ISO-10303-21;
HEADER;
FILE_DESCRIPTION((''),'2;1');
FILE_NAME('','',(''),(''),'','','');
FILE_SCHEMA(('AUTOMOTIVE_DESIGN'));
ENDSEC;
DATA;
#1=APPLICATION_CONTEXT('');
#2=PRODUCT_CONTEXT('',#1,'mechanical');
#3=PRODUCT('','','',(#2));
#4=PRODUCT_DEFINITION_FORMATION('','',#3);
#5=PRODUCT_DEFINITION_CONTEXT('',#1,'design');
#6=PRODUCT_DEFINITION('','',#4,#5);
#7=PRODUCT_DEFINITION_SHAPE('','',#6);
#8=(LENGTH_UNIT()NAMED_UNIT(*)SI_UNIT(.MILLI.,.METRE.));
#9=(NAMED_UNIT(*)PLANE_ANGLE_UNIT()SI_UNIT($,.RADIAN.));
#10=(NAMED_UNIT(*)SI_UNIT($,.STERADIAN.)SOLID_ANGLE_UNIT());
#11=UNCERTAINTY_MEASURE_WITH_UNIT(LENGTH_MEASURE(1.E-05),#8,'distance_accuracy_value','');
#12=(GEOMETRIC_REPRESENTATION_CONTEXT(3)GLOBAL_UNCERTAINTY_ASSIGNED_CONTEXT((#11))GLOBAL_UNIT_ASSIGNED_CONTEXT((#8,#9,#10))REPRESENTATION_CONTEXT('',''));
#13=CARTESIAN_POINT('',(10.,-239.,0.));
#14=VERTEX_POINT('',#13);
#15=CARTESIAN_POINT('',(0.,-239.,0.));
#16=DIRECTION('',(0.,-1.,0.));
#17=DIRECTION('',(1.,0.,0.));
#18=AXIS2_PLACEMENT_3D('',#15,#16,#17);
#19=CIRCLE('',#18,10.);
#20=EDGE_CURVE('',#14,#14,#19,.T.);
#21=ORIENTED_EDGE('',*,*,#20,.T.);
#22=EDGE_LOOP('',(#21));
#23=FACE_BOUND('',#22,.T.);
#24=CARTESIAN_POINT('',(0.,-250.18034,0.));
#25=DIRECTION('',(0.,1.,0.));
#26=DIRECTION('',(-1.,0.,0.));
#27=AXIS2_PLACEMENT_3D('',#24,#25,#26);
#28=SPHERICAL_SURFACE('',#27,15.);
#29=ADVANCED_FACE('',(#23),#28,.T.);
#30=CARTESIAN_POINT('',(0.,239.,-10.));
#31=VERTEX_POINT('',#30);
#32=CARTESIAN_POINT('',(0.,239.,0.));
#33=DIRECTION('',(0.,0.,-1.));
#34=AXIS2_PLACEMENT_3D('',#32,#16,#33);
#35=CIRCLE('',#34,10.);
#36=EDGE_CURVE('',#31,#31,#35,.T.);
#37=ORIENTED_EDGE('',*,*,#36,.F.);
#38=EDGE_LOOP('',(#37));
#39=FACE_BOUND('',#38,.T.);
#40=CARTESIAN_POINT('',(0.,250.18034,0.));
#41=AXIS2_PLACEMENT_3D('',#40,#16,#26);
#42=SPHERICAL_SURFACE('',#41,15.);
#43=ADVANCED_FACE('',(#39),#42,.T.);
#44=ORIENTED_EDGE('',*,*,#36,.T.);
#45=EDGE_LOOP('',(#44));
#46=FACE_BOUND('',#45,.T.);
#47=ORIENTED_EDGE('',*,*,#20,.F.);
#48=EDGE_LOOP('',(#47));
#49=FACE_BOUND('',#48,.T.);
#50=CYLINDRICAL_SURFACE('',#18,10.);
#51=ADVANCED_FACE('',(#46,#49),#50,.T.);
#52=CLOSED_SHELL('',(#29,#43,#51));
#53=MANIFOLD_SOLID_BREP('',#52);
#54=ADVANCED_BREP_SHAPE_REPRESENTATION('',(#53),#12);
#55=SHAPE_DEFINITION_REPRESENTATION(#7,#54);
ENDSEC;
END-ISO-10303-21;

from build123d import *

# Parameters (mm, degrees)
SKETCH1_W = 10
SKETCH1_H = 478


with BuildPart() as part:
    # Sketch1 → Revolve1 (revolve)
    with BuildSketch(Plane.XY, mode=Mode.PRIVATE) as revolve1_sk:
        with Locations((-5, 0)):
            Rectangle(SKETCH1_W, SKETCH1_H)
    revolve(revolve1_sk.sketch.rotate(Axis((0, -239, 0), (0, 1, 0)), 180), axis=Axis((0, -239, 0), (0, 1, 0)))

    # Sketch2 → Revolve2 (revolve)
    with BuildSketch(Plane.XY):
        with BuildLine():
            Line((-10, 239), (0, 239))
            Line((0, 239), (0, 265.180339887))
            ThreePointArc((0, 265.180339887), (-14.012585384, 255.532671234), (-10, 239))
        make_face()
    revolve2 = revolve(axis=Axis((0, 0, 0), (0, 1, 0)))

    # Mirror1: Revolve2 across plane
    add(revolve2.mirror(Plane.ZX))


solid = part.part
